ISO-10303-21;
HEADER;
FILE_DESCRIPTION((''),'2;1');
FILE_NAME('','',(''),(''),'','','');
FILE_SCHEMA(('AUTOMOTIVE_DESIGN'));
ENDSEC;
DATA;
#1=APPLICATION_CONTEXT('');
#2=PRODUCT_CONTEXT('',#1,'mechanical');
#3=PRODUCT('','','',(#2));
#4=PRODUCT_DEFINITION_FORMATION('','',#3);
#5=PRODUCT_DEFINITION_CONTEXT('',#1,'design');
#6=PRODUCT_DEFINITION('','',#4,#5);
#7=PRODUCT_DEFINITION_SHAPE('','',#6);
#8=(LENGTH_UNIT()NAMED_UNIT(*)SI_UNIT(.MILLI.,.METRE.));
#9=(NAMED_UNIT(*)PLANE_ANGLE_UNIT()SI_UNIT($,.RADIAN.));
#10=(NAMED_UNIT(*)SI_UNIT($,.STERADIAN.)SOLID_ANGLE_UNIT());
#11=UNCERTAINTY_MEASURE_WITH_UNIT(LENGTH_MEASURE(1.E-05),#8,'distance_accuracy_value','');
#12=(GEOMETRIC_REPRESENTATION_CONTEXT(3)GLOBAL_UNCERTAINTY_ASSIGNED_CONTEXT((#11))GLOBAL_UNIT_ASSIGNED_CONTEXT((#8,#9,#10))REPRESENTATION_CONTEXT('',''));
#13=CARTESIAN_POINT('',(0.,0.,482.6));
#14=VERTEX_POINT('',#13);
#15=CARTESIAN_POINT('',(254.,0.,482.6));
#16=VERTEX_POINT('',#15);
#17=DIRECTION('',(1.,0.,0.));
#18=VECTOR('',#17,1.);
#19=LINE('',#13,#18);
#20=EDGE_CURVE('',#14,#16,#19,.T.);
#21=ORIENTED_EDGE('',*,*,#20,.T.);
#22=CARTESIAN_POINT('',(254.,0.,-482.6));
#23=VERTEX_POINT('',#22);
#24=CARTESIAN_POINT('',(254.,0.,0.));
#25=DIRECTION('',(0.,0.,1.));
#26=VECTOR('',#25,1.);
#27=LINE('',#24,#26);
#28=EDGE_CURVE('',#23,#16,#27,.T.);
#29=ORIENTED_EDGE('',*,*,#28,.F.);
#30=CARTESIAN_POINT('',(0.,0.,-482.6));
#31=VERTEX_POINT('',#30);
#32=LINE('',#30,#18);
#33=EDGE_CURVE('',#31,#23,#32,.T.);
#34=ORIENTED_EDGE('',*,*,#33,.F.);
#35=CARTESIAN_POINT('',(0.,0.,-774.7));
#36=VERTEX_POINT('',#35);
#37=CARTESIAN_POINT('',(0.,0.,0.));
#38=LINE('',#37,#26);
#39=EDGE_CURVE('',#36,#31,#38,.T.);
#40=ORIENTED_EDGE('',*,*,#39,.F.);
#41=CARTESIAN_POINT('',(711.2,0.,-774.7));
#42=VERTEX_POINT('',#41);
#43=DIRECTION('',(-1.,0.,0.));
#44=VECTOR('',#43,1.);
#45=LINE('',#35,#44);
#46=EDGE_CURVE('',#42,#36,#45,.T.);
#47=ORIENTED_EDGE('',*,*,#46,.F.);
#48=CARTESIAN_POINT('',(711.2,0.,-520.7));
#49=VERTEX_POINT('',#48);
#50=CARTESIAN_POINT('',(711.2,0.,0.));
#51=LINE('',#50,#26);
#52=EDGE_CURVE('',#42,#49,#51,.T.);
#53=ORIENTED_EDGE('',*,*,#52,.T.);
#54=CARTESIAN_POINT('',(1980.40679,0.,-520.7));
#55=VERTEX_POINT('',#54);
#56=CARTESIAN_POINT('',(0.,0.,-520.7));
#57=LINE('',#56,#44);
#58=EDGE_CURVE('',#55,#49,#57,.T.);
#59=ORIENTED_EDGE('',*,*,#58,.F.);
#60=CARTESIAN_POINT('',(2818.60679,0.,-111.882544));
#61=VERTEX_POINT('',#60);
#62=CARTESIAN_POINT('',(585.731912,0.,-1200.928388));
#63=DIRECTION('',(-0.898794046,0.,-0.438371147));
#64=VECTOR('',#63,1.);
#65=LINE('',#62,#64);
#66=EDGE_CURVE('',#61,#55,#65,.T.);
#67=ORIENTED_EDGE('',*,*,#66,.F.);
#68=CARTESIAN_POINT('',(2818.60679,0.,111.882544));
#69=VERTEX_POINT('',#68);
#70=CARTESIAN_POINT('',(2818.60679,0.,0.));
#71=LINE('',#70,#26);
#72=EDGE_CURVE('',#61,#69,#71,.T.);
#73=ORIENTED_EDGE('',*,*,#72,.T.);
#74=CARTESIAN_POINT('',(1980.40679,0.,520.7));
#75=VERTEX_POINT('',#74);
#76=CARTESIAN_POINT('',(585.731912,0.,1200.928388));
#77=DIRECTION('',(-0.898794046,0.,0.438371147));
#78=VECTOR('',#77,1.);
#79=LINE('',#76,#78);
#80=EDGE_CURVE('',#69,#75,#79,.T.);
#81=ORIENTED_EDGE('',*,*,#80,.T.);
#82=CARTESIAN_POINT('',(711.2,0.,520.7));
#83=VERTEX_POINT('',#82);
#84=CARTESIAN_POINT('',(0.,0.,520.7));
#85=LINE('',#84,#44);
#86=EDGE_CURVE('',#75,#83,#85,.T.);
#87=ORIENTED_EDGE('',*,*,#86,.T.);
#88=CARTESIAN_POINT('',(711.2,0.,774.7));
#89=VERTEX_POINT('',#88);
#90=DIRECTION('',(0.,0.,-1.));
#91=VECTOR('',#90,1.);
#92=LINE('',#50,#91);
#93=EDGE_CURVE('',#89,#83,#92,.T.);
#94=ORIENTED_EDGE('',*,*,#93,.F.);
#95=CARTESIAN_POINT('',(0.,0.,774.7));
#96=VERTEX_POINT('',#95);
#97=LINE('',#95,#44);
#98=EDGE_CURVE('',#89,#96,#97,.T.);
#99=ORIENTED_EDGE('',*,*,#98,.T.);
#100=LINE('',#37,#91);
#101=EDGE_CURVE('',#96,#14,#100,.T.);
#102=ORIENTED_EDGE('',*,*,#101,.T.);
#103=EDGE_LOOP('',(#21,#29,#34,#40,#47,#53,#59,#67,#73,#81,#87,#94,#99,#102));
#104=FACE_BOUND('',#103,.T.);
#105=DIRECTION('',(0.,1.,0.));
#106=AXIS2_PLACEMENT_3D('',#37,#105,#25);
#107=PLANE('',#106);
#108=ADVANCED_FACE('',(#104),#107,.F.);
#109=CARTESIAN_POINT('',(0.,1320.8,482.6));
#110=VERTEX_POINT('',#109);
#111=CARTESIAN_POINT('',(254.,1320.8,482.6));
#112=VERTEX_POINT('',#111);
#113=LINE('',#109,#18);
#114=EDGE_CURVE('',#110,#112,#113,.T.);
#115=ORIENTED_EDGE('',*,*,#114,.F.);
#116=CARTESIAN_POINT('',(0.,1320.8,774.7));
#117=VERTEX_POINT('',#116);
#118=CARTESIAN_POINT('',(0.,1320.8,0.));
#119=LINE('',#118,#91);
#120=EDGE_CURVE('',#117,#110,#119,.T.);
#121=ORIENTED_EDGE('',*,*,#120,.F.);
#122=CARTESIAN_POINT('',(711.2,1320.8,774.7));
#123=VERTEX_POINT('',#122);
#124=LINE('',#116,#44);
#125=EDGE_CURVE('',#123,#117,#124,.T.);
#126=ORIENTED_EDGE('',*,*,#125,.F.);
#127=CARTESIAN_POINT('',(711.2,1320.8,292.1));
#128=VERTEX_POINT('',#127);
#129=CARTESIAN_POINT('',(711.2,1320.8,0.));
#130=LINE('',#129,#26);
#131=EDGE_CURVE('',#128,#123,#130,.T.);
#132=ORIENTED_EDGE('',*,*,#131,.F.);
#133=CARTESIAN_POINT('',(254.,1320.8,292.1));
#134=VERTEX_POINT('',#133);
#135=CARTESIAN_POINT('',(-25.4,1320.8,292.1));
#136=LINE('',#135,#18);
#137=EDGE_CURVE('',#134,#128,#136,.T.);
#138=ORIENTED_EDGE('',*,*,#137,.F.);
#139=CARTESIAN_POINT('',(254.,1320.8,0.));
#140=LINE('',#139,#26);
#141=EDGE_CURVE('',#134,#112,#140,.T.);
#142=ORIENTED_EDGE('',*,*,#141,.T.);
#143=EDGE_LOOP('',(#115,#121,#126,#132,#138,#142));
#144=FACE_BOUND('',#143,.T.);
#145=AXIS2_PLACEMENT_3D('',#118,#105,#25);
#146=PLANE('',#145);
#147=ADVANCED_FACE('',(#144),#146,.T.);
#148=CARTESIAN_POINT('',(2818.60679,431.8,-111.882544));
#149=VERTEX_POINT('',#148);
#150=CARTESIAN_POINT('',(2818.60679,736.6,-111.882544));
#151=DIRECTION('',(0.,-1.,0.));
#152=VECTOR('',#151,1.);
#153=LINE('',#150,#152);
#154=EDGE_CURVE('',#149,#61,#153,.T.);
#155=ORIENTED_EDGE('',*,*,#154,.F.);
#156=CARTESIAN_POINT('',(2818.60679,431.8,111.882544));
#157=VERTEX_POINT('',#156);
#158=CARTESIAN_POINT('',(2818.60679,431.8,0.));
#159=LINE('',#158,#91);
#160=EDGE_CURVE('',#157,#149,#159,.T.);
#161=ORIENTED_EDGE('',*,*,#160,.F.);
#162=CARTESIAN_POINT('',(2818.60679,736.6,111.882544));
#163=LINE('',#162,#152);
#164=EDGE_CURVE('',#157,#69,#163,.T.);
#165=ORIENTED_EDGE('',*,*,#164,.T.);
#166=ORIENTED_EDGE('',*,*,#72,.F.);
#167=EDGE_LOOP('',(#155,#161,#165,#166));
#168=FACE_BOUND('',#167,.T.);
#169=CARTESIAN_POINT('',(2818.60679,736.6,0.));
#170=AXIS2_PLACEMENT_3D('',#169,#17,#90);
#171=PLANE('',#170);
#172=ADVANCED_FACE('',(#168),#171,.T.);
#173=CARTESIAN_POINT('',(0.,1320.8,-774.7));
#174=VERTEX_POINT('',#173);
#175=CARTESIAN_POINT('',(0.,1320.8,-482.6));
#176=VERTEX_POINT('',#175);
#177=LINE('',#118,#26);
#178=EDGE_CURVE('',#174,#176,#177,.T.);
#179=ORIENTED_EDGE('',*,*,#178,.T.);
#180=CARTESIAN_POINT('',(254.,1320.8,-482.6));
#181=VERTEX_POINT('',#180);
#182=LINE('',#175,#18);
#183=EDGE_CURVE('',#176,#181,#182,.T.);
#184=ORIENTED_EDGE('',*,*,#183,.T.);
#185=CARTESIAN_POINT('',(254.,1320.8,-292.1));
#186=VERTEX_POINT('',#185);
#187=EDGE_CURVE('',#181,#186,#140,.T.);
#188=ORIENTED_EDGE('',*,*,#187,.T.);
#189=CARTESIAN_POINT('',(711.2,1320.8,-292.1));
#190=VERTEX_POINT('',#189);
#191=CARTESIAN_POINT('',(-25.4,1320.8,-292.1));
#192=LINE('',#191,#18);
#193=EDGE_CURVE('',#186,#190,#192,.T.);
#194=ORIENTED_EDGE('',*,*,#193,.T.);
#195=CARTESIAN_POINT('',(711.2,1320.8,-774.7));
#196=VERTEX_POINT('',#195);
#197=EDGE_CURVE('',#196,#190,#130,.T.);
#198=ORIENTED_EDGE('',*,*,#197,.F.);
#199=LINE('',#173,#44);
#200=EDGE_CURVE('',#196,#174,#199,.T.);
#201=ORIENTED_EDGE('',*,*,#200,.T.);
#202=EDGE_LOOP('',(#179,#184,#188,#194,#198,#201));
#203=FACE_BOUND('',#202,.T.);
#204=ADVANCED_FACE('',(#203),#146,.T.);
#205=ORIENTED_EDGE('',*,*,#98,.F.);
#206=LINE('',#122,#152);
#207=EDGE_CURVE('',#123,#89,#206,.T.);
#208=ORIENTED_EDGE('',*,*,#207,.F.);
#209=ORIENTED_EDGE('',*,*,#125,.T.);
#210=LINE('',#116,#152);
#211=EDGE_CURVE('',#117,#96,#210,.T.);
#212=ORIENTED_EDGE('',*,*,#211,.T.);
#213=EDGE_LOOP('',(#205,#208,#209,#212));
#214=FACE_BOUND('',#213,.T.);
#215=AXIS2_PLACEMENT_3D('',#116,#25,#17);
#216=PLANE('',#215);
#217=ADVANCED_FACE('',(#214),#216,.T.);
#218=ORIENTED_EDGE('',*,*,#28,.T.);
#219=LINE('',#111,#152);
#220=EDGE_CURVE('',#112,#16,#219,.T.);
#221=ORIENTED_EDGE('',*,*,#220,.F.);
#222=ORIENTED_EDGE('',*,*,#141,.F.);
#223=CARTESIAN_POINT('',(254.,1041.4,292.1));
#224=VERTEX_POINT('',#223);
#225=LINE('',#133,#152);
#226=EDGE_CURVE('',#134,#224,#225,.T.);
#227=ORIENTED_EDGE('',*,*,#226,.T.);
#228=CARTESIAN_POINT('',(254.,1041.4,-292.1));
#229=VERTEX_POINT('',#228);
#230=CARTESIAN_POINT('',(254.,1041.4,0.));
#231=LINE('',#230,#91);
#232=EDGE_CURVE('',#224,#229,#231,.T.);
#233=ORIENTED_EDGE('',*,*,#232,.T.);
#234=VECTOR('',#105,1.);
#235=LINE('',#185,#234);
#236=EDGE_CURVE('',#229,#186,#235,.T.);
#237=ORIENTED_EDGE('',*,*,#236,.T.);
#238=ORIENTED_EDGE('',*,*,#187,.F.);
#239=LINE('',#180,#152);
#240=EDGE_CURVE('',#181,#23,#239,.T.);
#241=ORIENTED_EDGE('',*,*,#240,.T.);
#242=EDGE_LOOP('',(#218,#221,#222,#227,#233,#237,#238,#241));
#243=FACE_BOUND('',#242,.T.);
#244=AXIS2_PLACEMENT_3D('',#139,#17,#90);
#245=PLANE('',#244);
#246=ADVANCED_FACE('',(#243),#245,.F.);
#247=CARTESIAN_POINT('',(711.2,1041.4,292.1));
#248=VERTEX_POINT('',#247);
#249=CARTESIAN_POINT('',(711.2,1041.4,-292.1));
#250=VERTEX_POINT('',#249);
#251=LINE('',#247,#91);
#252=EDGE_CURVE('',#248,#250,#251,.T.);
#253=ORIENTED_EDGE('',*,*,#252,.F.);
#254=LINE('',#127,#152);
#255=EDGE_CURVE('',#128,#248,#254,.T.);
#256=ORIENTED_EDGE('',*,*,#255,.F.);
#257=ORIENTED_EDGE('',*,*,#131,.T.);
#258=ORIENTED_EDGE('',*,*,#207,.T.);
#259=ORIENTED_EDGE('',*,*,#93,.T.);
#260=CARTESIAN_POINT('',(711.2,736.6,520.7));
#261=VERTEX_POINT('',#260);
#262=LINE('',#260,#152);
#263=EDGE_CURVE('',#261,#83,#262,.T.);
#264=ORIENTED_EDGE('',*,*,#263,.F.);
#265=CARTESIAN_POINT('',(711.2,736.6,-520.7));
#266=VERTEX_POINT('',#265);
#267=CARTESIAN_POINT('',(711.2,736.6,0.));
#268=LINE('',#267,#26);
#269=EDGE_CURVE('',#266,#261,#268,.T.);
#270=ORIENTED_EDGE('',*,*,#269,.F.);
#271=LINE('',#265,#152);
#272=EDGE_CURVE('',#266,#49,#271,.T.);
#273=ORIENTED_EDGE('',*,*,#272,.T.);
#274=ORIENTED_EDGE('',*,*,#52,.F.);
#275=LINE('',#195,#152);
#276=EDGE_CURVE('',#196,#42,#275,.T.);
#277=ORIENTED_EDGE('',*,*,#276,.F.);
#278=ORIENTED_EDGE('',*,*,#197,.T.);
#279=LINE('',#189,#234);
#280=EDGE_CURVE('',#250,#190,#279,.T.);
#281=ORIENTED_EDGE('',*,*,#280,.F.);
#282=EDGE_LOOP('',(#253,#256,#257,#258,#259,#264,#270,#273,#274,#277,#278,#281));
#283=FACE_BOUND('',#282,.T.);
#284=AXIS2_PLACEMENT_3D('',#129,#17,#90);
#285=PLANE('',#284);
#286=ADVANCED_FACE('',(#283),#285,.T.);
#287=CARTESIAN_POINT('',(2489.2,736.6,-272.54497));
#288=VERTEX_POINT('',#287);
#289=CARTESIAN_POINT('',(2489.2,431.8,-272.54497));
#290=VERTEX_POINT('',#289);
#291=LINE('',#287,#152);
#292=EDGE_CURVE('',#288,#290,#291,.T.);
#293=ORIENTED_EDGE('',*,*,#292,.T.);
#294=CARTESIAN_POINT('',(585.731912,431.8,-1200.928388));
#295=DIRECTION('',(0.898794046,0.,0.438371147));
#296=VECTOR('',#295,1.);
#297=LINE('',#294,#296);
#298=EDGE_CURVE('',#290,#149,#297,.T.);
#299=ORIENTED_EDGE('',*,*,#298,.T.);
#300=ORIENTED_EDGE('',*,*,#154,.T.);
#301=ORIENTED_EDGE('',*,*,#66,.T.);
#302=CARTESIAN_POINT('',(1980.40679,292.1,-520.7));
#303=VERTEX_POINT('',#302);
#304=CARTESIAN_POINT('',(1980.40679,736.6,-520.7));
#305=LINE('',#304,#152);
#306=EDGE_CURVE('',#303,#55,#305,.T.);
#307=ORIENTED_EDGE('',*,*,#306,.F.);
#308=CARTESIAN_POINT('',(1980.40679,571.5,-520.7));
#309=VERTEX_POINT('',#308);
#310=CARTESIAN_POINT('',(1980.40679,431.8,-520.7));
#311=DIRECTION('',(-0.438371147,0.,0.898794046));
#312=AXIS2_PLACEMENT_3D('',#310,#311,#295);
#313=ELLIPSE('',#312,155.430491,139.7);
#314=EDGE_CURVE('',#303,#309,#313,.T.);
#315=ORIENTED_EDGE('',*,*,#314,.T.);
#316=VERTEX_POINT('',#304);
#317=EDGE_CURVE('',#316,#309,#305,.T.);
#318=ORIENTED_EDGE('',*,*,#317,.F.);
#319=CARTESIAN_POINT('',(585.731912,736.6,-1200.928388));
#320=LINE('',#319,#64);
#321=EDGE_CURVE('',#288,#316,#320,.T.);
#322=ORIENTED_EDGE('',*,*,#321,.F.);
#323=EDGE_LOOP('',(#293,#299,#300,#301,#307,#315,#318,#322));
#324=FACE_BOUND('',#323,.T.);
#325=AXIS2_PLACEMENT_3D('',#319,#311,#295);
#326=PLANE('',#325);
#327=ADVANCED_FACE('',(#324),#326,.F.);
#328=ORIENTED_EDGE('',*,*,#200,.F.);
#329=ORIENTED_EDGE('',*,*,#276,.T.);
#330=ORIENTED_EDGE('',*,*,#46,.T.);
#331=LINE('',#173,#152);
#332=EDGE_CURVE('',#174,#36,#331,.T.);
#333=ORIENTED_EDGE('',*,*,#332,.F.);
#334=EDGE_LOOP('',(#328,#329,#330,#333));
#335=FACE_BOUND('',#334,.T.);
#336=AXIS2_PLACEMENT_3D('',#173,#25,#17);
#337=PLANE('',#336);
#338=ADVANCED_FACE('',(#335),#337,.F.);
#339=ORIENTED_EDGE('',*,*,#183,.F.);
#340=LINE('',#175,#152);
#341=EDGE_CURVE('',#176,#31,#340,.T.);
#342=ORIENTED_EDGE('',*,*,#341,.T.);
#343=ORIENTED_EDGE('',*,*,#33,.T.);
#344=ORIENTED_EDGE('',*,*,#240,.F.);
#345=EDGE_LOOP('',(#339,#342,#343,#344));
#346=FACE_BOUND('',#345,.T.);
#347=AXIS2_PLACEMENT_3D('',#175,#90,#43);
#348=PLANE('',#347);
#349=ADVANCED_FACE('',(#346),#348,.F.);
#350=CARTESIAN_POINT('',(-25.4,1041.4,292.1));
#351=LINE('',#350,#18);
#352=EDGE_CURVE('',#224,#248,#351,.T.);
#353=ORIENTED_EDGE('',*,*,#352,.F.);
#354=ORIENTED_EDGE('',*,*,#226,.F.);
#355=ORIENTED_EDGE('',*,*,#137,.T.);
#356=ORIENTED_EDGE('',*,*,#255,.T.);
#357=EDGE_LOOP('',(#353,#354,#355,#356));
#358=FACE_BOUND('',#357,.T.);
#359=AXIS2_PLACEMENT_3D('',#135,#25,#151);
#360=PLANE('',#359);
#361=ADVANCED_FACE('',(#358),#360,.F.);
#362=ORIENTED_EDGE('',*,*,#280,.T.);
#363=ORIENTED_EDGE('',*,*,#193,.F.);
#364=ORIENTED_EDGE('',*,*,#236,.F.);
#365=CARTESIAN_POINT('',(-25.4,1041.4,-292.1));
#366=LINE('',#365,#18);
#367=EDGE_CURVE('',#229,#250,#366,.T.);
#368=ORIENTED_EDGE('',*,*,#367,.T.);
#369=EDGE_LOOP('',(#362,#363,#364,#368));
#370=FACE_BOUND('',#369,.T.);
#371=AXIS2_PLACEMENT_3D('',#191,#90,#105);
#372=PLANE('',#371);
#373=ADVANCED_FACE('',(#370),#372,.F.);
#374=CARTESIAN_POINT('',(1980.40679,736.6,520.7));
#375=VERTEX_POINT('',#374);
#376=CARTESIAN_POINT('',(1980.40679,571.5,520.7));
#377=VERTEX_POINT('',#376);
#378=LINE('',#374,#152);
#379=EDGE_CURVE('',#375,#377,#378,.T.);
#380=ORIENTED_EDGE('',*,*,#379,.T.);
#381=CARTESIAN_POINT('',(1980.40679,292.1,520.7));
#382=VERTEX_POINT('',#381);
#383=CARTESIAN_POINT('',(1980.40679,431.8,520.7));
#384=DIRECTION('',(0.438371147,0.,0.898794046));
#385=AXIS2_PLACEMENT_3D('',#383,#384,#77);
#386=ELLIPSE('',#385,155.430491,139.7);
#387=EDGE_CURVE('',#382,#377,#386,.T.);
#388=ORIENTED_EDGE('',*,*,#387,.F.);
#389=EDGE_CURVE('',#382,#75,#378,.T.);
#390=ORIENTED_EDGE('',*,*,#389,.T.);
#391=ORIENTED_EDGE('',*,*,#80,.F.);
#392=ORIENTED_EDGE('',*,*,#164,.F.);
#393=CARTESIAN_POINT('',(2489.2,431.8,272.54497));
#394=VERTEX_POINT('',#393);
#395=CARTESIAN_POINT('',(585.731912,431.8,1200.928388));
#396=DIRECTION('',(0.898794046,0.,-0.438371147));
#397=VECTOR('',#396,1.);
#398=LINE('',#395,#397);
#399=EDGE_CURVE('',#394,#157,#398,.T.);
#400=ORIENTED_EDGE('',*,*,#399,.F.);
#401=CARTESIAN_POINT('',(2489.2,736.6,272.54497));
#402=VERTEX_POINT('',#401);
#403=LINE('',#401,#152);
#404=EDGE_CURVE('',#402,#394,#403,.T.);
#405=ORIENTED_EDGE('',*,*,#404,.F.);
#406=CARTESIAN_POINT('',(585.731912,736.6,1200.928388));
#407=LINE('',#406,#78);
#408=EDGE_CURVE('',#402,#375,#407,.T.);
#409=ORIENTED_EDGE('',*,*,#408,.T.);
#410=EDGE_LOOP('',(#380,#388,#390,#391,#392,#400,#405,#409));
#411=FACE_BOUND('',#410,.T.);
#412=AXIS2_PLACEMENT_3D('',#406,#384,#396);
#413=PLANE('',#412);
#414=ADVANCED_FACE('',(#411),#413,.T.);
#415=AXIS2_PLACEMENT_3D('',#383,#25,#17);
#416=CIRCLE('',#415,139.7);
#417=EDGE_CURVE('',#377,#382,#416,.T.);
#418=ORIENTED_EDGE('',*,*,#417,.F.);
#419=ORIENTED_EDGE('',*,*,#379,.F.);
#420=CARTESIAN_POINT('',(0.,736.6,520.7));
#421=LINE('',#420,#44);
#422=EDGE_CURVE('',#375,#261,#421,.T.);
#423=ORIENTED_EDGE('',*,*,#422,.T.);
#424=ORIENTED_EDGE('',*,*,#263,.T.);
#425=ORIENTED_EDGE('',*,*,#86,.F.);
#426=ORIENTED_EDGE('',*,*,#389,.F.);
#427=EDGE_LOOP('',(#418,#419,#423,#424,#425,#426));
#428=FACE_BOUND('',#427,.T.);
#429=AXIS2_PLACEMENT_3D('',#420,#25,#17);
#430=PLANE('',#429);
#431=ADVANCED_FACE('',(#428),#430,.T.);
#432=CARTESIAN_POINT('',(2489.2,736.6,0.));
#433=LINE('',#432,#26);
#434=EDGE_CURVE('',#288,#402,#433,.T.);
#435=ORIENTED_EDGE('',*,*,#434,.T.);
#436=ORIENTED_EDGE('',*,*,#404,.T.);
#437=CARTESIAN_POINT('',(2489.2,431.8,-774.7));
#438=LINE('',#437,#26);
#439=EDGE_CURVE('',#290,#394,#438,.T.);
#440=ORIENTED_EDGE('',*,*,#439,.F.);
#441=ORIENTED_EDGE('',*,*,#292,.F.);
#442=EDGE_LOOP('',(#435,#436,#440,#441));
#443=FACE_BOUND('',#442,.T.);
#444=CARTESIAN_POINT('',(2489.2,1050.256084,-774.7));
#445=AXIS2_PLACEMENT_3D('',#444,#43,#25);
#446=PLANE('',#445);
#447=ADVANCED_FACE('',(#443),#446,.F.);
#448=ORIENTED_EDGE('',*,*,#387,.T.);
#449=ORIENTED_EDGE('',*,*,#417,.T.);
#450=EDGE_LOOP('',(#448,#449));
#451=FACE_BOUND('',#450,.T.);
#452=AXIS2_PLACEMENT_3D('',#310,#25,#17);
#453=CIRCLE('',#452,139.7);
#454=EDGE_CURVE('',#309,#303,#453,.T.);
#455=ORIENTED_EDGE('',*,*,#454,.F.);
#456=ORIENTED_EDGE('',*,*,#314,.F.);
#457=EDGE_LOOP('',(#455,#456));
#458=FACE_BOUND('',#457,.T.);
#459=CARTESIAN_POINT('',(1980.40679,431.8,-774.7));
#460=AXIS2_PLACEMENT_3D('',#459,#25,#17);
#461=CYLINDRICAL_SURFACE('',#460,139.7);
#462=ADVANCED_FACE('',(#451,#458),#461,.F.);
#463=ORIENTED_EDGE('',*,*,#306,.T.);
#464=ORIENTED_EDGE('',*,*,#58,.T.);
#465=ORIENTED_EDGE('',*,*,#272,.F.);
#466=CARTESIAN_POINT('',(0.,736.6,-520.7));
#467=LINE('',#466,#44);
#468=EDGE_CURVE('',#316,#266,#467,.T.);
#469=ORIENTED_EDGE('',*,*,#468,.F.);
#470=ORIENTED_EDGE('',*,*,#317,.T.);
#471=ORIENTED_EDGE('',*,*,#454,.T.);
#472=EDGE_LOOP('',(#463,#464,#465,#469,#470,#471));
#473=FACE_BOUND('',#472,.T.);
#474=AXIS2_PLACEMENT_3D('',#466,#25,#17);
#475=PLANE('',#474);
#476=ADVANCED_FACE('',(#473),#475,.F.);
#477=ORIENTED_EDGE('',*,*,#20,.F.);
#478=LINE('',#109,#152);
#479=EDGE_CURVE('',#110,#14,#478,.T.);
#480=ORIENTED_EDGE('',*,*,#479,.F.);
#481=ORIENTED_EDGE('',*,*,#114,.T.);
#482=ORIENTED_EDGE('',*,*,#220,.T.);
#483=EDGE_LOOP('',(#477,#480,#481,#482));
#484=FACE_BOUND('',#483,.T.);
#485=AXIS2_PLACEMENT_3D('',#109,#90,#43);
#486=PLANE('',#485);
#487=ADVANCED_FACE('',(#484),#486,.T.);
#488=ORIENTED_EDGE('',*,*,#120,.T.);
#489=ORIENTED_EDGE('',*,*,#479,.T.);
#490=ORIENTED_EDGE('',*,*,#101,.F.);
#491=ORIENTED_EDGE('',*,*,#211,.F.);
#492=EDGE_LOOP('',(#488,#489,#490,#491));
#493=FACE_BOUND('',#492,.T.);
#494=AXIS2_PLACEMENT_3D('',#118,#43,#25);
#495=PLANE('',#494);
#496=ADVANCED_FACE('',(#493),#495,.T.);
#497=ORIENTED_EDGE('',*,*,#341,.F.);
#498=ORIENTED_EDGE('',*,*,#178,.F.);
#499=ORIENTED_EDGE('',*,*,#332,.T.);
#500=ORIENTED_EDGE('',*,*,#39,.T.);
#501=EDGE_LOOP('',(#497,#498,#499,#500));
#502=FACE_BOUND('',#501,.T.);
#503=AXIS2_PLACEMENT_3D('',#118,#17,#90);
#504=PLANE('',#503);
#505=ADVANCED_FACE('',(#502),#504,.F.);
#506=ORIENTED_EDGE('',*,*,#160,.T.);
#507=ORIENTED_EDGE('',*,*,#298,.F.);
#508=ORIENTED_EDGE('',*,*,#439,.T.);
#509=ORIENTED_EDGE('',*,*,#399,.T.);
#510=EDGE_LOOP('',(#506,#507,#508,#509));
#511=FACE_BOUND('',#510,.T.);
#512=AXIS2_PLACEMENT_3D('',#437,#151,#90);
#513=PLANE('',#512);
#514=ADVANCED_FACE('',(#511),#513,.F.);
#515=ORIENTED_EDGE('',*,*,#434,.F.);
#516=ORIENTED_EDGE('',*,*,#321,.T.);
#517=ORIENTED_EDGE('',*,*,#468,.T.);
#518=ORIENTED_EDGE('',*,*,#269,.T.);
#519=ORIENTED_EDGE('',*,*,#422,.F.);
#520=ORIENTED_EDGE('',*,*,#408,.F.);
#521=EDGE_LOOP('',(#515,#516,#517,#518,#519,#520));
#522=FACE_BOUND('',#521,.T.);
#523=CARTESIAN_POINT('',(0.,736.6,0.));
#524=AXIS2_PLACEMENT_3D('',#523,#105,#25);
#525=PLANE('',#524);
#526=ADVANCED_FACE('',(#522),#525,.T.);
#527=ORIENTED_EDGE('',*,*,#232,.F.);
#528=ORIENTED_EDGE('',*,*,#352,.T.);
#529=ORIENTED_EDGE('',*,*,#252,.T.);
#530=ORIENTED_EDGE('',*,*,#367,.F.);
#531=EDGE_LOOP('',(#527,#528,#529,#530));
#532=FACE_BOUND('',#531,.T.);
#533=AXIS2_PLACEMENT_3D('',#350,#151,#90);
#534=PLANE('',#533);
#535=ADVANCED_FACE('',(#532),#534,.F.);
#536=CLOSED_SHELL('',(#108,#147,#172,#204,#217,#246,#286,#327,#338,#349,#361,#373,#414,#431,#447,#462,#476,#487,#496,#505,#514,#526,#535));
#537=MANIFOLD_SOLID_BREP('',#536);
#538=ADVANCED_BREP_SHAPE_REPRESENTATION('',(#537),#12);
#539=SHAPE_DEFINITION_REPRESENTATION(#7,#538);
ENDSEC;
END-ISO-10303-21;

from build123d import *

# Parameters (mm, degrees)
BOSS_EXTRUDE1_DEPTH = 1320.8
BOSS_EXTRUDE2_DEPTH = 736.6
SKETCH2_W           = 584.2
SKETCH2_H           = 279.4
CUT_EXTRUDE1_DEPTH  = 736.6
SKETCH3_W           = 745.502408031
SKETCH3_H           = 618.456083572
CUT_EXTRUDE2_DEPTH  = 3372.515688067
SKETCH4_R           = 139.7
CUT_EXTRUDE3_DEPTH  = 3372.515688067


with BuildPart() as part:
    # Sketch1 → Boss-Extrude1 (new body)
    with BuildSketch(Plane(origin=(0, 0, 0), x_dir=(1, 0, 0), z_dir=(0, 1, 0))):
        Polygon((254, 0), (711.2, 0), (711.2, 520.7), (711.2, 774.7), (0, 774.7), (0, 482.6), (254, 482.6), (254, 292.1), align=None)
    boss_extrude1 = extrude(amount=BOSS_EXTRUDE1_DEPTH)

    # Sketch1<3> → Boss-Extrude2 (add)
    with BuildSketch(Plane(origin=(0, 0, 0), x_dir=(1, 0, 0), z_dir=(0, 1, 0))):
        Polygon((2818.60678969, 0), (2818.60678969, 111.882544264), (1980.40678969, 520.7), (711.2, 520.7), (711.2, 0), align=None)
    boss_extrude2 = extrude(amount=BOSS_EXTRUDE2_DEPTH)

    # Mirror2: Boss-Extrude1, Boss-Extrude2 across plane
    add(boss_extrude1.mirror(Plane(origin=(0, 1320.8, 0), x_dir=(1, 0, 0), z_dir=(0, 0, -1))))
    add(boss_extrude2.mirror(Plane(origin=(0, 1320.8, 0), x_dir=(1, 0, 0), z_dir=(0, 0, -1))))

    # Sketch2 → Cut-Extrude1 (cut)
    with BuildSketch(Plane(origin=(711.2, 0, 0), x_dir=(0, 0, -1), z_dir=(1, 0, 0))):
        with Locations((0, 1181.1)):
            Rectangle(SKETCH2_W, SKETCH2_H)
    extrude(amount=-CUT_EXTRUDE1_DEPTH, mode=Mode.SUBTRACT)

    # Sketch3 → Cut-Extrude2 (cut, through all)
    with BuildSketch(Plane.XY.offset(520.7)):
        with Locations((2861.951204016, 741.028041786)):
            Rectangle(SKETCH3_W, SKETCH3_H)
    extrude(amount=-CUT_EXTRUDE2_DEPTH, mode=Mode.SUBTRACT)

    # Sketch4 → Cut-Extrude3 (cut, through all)
    with BuildSketch(Plane.XY.offset(520.7)):
        with Locations((1980.40678969, 431.8)):
            Circle(SKETCH4_R)
    extrude(amount=-CUT_EXTRUDE3_DEPTH, mode=Mode.SUBTRACT)


solid = part.part
